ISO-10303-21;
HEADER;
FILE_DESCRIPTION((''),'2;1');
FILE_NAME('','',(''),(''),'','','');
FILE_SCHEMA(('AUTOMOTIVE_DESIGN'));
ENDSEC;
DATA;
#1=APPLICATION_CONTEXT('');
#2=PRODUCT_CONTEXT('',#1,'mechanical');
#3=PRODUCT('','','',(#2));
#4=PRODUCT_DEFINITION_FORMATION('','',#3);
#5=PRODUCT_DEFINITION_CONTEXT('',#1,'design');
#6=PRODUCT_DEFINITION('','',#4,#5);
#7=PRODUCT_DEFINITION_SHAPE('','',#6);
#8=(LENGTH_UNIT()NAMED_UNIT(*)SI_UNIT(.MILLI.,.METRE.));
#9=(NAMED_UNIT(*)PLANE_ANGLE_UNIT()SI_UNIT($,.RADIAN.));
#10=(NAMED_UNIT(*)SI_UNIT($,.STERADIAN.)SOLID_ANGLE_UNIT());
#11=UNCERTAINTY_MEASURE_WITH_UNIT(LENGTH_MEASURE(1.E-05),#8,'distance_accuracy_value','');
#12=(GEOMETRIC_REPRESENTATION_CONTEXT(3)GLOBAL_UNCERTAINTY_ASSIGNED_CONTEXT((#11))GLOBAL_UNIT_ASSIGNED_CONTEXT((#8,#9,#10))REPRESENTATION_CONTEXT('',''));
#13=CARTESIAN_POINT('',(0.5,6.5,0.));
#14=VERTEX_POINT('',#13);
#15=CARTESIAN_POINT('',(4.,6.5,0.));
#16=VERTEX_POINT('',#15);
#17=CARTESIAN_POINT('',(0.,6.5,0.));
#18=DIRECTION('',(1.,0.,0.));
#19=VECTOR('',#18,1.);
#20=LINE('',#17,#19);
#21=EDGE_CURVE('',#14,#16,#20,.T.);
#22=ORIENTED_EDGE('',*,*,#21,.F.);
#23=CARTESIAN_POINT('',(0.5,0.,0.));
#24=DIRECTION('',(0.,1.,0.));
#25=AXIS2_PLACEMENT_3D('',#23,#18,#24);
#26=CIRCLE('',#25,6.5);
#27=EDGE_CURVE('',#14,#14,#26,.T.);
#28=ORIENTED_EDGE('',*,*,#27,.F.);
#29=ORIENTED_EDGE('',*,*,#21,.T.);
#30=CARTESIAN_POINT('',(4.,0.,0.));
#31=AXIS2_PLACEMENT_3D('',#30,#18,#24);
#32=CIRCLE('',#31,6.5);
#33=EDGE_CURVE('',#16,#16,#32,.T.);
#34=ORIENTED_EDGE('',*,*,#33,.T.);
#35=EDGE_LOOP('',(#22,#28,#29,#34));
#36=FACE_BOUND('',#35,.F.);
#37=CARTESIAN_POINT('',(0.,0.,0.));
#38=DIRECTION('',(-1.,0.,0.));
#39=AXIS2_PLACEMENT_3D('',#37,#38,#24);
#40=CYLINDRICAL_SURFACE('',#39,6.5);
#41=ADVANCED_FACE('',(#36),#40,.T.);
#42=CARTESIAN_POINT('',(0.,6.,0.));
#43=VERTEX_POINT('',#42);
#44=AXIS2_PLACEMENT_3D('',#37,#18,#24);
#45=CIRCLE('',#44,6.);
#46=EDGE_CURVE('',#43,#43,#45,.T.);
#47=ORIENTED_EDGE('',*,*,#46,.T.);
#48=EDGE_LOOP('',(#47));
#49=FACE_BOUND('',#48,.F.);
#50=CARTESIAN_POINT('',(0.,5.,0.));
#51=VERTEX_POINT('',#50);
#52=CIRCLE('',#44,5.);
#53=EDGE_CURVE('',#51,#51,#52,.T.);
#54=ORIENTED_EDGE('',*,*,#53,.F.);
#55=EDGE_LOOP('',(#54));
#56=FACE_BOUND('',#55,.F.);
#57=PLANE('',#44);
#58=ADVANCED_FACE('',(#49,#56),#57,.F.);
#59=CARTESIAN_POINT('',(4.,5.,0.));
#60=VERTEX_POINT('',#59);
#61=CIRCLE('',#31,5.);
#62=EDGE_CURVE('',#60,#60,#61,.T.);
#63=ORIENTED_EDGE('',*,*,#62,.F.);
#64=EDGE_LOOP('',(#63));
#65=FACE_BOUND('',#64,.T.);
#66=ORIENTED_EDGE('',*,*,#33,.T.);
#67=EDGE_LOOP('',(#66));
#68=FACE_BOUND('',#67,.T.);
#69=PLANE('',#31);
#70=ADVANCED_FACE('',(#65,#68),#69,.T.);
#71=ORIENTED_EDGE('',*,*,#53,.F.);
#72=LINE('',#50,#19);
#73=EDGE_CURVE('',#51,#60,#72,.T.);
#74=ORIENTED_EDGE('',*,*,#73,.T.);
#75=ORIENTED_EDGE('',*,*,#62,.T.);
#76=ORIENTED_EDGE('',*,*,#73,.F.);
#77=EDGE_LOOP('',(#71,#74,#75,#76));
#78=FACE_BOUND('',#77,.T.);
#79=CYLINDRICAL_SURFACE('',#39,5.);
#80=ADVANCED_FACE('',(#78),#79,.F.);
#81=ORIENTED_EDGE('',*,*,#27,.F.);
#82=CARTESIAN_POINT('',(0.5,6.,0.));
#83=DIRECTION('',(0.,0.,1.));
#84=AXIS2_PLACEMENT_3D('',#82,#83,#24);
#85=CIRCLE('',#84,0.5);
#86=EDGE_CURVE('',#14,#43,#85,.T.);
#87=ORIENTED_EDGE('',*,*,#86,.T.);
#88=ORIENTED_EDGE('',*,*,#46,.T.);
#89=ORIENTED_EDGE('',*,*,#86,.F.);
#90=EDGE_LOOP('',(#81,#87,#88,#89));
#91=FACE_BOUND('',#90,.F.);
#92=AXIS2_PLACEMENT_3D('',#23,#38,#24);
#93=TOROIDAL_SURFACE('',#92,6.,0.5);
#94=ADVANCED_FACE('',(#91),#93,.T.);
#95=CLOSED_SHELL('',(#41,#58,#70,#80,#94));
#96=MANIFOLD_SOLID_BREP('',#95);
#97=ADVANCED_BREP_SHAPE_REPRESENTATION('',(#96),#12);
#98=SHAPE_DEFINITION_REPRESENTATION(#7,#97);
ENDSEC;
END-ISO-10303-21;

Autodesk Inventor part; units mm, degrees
ref_plane "YZ Plane" through (0, 0, 0) normal (1, 0, 0) x (0, 1, 0)
ref_plane "XZ Plane" through (0, 0, 0) normal (0, 1, 0) x (-1, 0, 0)
ref_plane "XY Plane" through (0, 0, 0) normal (0, 0, 1) x (1, 0, 0)
sketch "スケッチ1" plane through (0, 0, 0) normal (1, 0, 0) x (0, 1, 0)
  circle A0 centre (0, 0) radius 6.5
  circle A1 centre (0, 0) radius 5
  dimension "d0" = 13
  dimension "d1" = 10
extrude "押し出し1" add sketch "スケッチ1" along normal blind 4
fillet "フィレット1" radius 0.5 1 edges at (0, -6.5, 0)
properties part number "Tire" material "ゴム"
